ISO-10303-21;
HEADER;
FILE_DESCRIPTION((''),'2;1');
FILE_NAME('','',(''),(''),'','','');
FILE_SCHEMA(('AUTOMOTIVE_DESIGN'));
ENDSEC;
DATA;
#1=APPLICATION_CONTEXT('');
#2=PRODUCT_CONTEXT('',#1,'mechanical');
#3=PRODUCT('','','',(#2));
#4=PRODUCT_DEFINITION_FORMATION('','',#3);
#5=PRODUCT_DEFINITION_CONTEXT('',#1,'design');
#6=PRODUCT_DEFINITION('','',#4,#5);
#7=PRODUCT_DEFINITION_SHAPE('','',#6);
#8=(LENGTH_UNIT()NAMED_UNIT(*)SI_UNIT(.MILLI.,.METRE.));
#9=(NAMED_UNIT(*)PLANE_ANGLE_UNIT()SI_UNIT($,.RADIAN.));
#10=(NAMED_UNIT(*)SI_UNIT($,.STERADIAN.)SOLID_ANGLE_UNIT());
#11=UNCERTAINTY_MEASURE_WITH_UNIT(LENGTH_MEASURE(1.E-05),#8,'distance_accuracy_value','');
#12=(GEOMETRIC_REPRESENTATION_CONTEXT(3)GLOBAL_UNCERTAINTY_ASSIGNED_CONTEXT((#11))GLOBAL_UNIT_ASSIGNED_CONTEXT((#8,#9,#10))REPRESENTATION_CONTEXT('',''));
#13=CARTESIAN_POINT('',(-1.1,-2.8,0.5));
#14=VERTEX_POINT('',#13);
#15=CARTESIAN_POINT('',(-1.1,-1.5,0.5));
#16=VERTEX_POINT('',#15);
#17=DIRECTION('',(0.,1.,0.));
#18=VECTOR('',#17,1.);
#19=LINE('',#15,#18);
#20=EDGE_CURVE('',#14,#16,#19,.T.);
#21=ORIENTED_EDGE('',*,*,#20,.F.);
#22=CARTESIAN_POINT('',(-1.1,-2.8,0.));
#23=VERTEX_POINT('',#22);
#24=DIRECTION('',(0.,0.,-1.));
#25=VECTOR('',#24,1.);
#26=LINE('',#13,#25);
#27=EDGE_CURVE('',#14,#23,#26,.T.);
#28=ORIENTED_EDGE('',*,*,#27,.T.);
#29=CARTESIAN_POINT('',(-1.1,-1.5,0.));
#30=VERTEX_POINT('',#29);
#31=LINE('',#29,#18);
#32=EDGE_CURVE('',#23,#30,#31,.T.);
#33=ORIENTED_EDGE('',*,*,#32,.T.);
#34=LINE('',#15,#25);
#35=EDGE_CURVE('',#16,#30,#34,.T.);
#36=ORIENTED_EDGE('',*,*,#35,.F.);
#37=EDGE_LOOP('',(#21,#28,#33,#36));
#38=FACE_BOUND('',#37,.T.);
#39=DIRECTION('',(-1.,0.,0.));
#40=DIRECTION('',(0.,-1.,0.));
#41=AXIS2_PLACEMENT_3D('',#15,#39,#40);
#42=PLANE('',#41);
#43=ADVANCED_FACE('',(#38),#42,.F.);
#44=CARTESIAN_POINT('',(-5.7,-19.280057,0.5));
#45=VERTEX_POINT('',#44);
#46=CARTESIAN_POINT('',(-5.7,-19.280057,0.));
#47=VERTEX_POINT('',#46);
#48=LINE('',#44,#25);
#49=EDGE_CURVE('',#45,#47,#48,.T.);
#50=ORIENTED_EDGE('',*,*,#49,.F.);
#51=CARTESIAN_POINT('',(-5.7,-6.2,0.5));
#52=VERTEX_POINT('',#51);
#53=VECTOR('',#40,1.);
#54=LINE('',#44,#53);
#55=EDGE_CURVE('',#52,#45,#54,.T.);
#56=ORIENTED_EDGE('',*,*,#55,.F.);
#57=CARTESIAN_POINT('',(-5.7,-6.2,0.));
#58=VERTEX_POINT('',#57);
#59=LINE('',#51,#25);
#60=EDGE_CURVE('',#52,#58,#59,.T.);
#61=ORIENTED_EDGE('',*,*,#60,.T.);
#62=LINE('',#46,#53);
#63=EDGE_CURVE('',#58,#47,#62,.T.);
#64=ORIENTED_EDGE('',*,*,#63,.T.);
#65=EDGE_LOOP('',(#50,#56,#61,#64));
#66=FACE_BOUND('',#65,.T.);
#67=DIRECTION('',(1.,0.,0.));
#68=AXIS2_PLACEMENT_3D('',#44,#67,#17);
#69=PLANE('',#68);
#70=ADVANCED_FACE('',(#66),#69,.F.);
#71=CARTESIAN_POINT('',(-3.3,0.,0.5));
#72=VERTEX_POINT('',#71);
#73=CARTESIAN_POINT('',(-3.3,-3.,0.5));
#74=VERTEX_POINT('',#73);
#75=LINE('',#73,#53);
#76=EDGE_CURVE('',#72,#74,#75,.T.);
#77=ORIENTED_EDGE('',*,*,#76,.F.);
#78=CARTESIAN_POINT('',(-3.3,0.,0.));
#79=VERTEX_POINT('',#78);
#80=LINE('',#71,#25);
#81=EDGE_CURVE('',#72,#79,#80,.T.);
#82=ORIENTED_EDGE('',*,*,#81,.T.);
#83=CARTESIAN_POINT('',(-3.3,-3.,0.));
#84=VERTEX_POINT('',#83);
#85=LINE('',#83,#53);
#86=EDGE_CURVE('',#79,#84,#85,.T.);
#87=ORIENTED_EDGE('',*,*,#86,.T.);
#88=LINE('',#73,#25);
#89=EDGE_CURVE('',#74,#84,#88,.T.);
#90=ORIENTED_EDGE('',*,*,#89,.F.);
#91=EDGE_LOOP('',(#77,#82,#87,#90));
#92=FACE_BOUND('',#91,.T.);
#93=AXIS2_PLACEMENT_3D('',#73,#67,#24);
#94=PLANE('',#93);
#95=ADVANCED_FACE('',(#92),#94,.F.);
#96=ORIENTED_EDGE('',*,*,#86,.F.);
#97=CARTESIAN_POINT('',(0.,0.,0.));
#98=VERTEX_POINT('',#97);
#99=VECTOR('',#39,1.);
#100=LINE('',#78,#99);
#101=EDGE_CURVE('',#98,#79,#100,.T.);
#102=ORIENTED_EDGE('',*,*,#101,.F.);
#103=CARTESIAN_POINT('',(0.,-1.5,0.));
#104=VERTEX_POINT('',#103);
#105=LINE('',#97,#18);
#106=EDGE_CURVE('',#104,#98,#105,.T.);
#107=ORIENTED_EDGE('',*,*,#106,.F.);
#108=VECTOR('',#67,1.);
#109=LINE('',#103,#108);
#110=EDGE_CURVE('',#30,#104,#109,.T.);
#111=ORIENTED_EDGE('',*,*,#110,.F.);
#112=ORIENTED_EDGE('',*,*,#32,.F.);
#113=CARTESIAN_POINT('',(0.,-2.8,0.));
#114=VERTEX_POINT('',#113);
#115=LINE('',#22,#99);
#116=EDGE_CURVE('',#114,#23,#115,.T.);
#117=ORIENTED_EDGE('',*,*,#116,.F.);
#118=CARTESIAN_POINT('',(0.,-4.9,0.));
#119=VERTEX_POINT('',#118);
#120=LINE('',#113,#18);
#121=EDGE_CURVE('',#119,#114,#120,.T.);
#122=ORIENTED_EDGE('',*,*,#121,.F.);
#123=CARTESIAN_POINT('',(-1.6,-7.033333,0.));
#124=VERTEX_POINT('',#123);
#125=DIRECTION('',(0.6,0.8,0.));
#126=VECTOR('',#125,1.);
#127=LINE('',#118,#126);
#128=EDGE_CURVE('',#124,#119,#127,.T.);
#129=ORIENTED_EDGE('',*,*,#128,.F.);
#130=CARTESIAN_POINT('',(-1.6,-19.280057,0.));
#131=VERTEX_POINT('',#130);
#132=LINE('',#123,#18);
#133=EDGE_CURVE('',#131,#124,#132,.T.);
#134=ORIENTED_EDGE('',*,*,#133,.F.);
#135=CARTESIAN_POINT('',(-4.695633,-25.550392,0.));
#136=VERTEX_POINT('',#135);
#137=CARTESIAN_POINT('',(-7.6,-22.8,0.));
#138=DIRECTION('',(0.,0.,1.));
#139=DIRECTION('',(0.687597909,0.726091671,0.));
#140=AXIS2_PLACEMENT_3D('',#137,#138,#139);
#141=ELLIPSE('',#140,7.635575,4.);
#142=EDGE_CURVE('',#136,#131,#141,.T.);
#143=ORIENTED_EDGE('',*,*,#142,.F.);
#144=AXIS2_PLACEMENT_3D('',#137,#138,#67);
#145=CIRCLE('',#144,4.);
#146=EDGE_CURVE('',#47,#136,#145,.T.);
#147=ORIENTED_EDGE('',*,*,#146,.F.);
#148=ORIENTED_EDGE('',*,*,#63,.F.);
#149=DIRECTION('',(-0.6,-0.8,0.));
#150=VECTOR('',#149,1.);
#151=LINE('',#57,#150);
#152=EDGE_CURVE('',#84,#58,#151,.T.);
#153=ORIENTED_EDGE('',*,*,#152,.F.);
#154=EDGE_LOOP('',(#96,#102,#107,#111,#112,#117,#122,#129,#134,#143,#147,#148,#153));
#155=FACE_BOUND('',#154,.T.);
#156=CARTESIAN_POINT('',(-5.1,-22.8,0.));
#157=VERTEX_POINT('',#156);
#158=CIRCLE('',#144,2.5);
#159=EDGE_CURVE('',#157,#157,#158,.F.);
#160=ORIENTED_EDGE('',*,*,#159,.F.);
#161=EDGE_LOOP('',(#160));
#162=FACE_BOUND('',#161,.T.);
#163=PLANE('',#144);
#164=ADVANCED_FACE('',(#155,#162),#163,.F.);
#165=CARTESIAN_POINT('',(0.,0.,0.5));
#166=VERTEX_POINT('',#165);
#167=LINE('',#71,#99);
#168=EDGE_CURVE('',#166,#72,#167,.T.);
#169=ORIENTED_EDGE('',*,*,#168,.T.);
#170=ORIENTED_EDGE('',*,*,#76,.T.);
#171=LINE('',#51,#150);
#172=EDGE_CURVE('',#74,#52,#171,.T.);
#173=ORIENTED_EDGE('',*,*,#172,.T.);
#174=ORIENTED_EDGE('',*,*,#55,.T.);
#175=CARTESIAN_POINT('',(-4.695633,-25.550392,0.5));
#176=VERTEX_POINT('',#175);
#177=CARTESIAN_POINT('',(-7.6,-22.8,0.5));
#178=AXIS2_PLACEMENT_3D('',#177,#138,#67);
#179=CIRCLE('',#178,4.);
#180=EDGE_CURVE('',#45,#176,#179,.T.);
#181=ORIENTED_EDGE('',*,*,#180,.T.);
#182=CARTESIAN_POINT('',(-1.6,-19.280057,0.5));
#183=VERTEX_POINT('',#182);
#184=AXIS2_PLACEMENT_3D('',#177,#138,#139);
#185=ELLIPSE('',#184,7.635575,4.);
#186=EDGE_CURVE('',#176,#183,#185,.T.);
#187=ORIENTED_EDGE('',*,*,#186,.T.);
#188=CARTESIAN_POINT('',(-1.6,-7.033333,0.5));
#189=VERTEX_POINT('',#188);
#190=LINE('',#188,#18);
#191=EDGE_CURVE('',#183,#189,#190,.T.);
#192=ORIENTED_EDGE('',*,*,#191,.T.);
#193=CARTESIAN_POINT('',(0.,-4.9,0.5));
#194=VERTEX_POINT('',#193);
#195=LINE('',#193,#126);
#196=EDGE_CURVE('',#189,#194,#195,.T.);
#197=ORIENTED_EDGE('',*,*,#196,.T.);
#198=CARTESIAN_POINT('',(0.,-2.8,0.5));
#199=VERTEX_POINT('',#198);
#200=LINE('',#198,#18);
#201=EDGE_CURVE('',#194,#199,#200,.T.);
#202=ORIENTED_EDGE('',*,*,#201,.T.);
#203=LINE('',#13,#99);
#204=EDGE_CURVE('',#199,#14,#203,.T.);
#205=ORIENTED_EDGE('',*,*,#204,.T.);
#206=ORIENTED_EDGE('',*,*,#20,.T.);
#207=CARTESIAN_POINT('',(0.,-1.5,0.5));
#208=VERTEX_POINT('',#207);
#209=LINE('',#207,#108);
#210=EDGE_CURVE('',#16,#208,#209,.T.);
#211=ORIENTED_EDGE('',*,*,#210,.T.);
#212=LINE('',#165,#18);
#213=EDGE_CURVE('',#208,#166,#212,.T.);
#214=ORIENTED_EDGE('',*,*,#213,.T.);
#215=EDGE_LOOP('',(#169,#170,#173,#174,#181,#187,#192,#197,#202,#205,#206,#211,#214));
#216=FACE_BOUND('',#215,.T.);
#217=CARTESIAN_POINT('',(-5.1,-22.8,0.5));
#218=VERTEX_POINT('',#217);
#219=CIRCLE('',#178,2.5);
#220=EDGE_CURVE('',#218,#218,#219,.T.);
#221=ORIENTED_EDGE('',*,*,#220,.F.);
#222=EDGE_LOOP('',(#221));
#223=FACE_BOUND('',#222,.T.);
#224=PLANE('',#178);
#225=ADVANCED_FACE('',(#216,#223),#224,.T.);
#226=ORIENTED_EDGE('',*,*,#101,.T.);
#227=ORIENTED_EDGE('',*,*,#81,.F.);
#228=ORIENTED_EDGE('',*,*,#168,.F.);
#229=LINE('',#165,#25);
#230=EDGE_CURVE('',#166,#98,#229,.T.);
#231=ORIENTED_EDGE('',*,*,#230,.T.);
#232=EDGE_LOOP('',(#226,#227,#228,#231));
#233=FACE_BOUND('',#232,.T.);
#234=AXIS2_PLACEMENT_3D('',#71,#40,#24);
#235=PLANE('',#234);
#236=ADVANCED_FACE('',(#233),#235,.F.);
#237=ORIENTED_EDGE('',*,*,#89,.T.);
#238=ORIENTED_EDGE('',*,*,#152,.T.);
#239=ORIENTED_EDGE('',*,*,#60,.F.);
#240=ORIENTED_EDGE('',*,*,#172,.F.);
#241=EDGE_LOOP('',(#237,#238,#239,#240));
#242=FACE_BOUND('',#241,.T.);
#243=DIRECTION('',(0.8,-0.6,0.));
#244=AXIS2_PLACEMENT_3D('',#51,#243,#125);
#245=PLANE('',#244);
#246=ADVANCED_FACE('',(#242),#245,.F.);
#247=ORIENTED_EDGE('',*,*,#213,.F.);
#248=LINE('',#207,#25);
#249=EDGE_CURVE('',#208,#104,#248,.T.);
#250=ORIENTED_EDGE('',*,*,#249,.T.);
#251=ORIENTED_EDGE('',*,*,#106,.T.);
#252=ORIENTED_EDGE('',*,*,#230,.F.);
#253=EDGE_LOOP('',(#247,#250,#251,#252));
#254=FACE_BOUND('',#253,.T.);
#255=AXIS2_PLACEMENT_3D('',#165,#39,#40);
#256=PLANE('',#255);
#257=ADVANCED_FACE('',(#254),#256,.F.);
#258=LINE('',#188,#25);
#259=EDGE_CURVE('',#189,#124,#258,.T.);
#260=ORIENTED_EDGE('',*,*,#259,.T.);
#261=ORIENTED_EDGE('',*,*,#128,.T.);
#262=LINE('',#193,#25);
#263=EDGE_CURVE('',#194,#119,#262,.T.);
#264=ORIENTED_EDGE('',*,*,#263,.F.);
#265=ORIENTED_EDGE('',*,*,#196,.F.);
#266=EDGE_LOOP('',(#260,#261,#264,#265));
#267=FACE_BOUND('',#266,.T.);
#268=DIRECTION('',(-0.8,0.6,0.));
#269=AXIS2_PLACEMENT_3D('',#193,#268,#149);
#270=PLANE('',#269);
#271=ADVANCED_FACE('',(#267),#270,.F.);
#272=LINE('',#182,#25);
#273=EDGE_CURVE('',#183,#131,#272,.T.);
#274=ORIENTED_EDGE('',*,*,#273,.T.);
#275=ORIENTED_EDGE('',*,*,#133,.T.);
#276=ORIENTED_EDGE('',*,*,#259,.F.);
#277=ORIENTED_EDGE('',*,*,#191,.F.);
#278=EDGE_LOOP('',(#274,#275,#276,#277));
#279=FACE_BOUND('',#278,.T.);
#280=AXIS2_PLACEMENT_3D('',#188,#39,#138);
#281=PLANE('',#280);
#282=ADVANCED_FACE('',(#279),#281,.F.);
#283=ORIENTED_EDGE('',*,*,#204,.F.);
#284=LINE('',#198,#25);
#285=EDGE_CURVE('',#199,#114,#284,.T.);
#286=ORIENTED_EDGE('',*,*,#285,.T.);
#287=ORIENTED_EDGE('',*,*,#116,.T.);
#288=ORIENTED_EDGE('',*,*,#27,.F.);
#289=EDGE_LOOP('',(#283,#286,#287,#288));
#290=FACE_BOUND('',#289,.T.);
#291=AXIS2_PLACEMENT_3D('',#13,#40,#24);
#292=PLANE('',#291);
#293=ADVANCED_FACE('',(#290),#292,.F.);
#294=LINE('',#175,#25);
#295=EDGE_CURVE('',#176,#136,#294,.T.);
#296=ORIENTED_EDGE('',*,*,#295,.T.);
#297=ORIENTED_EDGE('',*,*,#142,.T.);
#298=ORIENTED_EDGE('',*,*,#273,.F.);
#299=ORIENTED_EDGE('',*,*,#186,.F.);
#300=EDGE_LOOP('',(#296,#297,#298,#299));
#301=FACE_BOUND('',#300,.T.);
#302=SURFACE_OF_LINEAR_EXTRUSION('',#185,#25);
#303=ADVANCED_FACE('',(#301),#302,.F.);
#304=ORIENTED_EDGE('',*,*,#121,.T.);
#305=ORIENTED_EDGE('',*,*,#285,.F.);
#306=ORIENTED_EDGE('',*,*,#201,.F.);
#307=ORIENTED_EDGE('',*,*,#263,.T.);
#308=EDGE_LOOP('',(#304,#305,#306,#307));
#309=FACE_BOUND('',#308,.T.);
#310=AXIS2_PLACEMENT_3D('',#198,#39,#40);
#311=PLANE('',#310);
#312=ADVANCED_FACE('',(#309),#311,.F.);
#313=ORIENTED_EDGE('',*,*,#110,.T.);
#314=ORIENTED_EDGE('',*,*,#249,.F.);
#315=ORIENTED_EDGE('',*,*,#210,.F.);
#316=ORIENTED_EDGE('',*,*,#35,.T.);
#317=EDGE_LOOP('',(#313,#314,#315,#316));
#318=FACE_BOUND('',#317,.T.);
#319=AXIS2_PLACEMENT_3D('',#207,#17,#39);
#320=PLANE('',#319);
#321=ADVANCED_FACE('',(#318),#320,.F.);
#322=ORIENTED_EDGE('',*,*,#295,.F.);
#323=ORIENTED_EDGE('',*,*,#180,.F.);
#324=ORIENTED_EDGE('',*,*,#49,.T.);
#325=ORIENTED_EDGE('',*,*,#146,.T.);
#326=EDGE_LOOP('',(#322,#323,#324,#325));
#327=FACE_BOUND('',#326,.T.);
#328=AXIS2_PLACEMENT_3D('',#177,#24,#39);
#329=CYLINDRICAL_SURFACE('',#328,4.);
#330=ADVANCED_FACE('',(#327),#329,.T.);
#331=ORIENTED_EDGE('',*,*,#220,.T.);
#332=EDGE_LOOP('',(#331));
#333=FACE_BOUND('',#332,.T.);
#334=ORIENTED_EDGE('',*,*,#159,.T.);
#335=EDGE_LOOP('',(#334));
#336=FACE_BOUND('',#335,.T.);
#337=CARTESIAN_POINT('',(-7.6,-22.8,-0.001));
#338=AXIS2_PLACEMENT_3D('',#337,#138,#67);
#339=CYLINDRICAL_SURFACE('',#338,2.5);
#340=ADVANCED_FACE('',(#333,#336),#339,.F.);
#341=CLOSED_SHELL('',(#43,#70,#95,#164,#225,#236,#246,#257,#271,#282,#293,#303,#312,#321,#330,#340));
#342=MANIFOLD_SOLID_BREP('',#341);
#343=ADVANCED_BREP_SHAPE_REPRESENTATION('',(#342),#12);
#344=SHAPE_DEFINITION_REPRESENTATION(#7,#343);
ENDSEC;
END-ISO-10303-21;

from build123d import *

# Parameters (mm, degrees)
SALIENTE_EXTRUIR1_DEPTH = 0.5
CORTAR_EXTRUIR6_REACH   = 31.207
CROQUIS6_R              = 2.5


with BuildPart() as part:
    # Croquis1 → Saliente-Extruir1 (new body)
    with BuildSketch(Plane.XY):
        with BuildLine():
            Line((0, 0), (0, -1.5))
            Line((0, -1.5), (-1.1, -1.5))
            Line((-1.1, -1.5), (-1.1, -2.8))
            Line((-1.1, -2.8), (0, -2.8))
            Line((0, -2.8), (0, -4.9))
            Line((0, -4.9), (-1.6, -7.033333333))
            Line((-1.6, -7.033333333), (-1.6, -19.280056819))
            add(Edge.make_bspline(
                [(-4.695633314, -25.550391636), (-1.6, -22.281455624), (-1.6, -19.280056819)],
                knots=[4.71238898, 4.71238898, 4.71238898, 5.777895429, 5.777895429, 5.777895429], degree=2, weights=[1, 0.861411956, 1]))
            ThreePointArc((-4.695633314, -25.550391636), (-11.549653085, -23.432645639), (-5.7, -19.280056819))
            Line((-5.7, -19.280056819), (-5.7, -6.2))
            Line((-5.7, -6.2), (-3.3, -3))
            Line((-3.3, -3), (-3.3, 0))
            Line((-3.3, 0), (0, 0))
        make_face()
    extrude(amount=SALIENTE_EXTRUIR1_DEPTH)

    # Croquis6 → Cortar-Extruir6 (cut, up to next)
    with BuildSketch(Plane.XY.offset(0.5), mode=Mode.PRIVATE) as cortar_extruir6_sk1:
        with Locations((-7.6, -22.8)):
            Circle(CROQUIS6_R)
    cortar_extruir6_tool1 = extrude(cortar_extruir6_sk1.sketch, amount=-CORTAR_EXTRUIR6_REACH, mode=Mode.PRIVATE) & part.part
    add(cortar_extruir6_tool1.solids().sort_by_distance((-7.6, -22.8, 0.5))[0], mode=Mode.SUBTRACT)


solid = part.part
